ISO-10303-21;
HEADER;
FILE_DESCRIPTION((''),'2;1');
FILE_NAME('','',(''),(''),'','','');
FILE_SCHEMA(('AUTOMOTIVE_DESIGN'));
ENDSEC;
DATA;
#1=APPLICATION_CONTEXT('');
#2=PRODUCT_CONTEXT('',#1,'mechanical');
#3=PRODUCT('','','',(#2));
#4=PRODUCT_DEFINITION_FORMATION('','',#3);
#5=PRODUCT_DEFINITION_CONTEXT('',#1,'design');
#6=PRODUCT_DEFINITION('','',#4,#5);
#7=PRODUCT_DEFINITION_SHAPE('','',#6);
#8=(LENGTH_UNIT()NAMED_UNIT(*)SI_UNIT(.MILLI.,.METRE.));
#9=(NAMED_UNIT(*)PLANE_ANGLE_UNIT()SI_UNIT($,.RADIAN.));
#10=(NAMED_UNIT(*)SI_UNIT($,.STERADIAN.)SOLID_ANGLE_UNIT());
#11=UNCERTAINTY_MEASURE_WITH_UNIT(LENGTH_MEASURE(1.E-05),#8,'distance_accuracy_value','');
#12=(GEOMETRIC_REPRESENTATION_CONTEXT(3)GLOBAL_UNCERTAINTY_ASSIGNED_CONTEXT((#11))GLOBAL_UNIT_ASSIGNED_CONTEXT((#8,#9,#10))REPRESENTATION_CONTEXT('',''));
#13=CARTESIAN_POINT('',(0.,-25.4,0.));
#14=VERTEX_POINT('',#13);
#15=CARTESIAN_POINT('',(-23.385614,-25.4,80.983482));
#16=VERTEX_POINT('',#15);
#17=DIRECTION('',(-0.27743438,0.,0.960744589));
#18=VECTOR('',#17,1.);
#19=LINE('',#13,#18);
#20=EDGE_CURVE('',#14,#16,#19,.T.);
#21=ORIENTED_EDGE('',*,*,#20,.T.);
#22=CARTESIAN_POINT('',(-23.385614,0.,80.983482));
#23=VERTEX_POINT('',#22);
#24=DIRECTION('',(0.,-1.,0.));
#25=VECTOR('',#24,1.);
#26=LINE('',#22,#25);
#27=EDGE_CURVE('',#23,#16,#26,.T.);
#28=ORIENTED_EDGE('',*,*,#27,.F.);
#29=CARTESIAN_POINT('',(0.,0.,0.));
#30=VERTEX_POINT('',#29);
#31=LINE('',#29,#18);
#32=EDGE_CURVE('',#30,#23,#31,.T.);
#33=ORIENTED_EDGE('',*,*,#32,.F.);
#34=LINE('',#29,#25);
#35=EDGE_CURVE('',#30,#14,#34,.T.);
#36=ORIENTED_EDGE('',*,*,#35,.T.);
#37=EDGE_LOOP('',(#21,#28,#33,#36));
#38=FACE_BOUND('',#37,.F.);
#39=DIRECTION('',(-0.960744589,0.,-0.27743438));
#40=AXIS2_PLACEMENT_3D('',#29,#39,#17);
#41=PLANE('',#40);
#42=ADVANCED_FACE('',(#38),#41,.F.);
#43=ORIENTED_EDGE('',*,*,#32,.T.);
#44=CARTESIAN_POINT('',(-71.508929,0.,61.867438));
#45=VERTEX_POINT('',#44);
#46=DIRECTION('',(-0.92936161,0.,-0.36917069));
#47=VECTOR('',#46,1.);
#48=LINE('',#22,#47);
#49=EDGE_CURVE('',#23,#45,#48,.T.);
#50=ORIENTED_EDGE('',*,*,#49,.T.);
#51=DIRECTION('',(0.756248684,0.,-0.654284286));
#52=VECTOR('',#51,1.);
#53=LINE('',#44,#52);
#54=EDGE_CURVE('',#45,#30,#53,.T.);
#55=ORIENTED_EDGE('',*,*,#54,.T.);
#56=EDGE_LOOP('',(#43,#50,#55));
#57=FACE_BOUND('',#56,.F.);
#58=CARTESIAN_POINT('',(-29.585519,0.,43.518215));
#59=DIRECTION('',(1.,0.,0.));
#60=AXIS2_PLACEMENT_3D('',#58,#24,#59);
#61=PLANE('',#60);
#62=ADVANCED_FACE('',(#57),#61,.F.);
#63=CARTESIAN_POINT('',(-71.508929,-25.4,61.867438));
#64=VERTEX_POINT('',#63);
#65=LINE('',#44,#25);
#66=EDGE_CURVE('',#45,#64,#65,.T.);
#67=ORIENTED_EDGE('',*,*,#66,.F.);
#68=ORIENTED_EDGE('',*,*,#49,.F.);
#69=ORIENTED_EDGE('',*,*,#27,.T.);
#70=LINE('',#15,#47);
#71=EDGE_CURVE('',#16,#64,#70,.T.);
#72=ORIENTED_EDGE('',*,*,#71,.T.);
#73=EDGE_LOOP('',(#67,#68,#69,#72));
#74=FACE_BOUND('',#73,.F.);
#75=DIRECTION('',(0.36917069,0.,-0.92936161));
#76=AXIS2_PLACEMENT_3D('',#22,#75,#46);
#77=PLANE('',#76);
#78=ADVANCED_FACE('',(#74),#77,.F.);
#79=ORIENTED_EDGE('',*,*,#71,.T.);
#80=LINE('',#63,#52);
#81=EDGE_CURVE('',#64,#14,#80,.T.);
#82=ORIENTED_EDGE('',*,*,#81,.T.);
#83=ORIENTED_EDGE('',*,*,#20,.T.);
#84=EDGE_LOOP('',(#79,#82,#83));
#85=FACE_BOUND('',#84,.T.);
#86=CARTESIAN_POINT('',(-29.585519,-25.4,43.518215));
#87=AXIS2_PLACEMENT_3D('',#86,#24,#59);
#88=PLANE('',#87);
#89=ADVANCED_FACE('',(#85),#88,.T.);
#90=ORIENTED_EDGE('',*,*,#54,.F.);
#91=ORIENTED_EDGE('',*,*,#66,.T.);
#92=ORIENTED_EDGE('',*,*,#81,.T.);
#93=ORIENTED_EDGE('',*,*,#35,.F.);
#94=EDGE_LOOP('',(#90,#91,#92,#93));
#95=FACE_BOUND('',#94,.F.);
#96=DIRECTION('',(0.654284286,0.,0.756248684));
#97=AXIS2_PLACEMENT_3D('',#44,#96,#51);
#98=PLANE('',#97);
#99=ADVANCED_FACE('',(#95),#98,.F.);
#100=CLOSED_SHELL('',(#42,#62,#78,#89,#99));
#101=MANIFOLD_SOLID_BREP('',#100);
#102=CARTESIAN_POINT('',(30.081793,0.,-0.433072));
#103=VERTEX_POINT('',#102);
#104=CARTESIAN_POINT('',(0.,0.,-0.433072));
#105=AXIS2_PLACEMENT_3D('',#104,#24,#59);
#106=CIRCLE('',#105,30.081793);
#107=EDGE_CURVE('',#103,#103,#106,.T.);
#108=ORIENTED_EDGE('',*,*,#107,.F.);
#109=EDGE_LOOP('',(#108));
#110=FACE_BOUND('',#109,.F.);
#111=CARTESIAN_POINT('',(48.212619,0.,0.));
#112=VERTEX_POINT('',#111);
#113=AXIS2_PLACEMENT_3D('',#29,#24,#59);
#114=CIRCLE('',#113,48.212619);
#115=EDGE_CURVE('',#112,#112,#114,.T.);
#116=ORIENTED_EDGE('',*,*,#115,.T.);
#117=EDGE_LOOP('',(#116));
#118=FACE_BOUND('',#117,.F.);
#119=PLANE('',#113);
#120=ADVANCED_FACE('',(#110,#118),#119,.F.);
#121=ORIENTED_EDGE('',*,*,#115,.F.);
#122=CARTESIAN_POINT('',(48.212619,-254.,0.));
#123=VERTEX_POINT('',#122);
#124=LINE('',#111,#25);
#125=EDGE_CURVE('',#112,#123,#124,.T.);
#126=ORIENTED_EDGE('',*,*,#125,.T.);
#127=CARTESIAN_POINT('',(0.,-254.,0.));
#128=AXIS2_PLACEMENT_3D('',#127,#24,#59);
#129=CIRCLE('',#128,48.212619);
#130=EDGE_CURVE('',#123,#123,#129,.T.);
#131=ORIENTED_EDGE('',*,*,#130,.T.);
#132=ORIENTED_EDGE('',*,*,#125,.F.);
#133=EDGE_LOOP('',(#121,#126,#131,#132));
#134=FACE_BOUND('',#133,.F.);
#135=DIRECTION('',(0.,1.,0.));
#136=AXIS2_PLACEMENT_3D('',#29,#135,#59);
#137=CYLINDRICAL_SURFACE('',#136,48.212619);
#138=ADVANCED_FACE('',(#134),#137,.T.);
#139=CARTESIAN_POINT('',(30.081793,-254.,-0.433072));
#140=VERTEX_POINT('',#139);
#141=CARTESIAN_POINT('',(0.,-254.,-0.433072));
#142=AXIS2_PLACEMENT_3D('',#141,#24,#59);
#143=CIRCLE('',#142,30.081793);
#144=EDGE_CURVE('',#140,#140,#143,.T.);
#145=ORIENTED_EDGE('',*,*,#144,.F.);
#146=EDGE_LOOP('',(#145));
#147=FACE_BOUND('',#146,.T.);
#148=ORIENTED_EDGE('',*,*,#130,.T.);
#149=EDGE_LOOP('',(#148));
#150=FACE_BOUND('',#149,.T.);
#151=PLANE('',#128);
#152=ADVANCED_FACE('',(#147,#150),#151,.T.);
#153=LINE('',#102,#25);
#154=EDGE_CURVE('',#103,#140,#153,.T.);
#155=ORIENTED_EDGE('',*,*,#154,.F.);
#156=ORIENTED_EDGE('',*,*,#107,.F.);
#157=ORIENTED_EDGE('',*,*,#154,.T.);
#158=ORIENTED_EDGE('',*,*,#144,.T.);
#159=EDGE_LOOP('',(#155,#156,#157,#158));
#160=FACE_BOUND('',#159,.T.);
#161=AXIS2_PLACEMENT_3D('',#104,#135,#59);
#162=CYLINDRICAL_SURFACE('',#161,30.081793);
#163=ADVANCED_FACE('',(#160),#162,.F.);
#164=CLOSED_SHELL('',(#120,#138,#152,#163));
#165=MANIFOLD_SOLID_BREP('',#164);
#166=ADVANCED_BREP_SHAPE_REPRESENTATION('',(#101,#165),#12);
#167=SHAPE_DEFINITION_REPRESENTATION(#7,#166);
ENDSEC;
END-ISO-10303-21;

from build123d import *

# Parameters (mm, degrees)
F1_DEPTH = 25.4
F2_R     = 48.212619
F2_R_2   = 30.081793
F3_DEPTH = 254


with BuildPart() as f1:
    # F0 (on Front) → F1 (new body)
    with BuildSketch(Plane.XZ):
        Polygon((-23.385614, 80.983482), (-71.508929, 61.867438), (0, 0), align=None)
    extrude(amount=F1_DEPTH)


with BuildPart() as f3:
    # F2 (on Front) → F3 (new body)
    with BuildSketch(Plane.XZ):
        Circle(F2_R)
        with Locations((0, -0.433072)):
            Circle(F2_R_2, mode=Mode.SUBTRACT)
    extrude(amount=F3_DEPTH)


solid = Compound([f1.part, f3.part])
